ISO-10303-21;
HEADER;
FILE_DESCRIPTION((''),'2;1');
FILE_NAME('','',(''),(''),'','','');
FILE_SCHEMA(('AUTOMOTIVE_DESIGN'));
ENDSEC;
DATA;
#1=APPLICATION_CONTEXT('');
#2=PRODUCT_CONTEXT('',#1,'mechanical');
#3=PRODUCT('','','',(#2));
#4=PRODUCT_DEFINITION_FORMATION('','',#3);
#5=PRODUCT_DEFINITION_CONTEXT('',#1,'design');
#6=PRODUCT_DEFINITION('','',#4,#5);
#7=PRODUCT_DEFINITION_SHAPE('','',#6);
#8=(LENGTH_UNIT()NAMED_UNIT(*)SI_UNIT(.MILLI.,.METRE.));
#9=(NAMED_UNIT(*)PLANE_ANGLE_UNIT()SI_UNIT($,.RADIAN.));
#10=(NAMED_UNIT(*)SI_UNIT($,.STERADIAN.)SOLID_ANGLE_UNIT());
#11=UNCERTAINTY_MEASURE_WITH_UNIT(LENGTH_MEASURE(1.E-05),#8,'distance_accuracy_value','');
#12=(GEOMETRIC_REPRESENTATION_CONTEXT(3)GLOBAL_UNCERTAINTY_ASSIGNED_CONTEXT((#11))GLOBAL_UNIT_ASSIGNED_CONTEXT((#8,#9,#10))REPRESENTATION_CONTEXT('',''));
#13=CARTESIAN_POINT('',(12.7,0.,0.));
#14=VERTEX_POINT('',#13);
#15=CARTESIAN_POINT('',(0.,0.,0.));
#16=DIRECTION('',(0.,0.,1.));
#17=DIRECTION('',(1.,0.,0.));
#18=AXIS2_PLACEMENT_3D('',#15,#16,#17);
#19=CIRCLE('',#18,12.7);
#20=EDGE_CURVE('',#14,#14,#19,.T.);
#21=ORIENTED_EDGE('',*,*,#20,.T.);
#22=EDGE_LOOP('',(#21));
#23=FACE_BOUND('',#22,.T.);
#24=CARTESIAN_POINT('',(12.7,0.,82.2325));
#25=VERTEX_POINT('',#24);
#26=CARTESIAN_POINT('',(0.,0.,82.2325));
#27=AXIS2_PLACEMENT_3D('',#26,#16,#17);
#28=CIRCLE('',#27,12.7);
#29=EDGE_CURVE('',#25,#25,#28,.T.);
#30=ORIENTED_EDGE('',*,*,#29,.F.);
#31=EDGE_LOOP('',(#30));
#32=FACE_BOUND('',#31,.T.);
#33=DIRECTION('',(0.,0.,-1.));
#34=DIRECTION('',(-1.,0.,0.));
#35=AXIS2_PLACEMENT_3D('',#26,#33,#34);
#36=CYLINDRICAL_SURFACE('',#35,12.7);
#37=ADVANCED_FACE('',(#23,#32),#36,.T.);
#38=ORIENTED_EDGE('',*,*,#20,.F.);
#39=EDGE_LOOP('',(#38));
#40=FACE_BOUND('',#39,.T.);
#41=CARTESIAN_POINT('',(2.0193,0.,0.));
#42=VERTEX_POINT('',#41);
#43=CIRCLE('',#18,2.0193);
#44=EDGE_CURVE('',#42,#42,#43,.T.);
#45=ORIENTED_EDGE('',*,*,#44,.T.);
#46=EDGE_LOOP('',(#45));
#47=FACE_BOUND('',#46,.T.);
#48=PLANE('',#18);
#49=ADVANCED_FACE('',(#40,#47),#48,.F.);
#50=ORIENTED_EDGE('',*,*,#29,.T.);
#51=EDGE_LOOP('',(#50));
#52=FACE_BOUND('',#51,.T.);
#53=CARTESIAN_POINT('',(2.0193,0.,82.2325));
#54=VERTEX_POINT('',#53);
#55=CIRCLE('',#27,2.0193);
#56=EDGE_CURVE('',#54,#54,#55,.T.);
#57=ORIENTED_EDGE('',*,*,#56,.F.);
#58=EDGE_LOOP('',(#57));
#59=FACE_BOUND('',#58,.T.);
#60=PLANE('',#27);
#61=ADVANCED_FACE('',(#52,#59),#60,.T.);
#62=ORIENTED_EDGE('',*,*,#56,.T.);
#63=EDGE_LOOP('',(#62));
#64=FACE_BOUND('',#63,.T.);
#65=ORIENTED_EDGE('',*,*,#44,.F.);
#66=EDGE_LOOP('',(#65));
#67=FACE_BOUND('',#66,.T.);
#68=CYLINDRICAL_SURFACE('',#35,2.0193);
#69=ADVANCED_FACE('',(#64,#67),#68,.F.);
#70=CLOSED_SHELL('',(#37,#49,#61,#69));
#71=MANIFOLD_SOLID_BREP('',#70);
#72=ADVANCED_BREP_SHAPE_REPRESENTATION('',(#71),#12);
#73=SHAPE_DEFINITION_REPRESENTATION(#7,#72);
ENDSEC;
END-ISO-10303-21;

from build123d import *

# Parameters (mm, degrees)
SKETCH1_R              = 12.7
SKETCH1_R_2            = 2.0193
BOSS_EXTRUDE1_DEPTH    = 82.2325
F_10_32_TAPPED_HOLE1_D = 4.0386
F_10_32_TAPPED_HOLE2_D = 4.0386


with BuildPart() as part:
    # Sketch1 → Boss-Extrude1 (new body)
    with BuildSketch(Plane.XY):
        Circle(SKETCH1_R)
        Circle(SKETCH1_R_2, mode=Mode.SUBTRACT)
    extrude(amount=BOSS_EXTRUDE1_DEPTH)

    # #10-32 Tapped Hole1 (through all)
    with Locations(Plane.XY.offset(82.2325)):
        with Locations((0, 0)):
            Hole(F_10_32_TAPPED_HOLE1_D / 2)

    # #10-32 Tapped Hole2 (through all)
    with Locations(Plane(origin=(0, 0, 0), x_dir=(-1, 0, 0), z_dir=(0, 0, -1))):
        with Locations((0, 0)):
            Hole(F_10_32_TAPPED_HOLE2_D / 2)


solid = part.part
